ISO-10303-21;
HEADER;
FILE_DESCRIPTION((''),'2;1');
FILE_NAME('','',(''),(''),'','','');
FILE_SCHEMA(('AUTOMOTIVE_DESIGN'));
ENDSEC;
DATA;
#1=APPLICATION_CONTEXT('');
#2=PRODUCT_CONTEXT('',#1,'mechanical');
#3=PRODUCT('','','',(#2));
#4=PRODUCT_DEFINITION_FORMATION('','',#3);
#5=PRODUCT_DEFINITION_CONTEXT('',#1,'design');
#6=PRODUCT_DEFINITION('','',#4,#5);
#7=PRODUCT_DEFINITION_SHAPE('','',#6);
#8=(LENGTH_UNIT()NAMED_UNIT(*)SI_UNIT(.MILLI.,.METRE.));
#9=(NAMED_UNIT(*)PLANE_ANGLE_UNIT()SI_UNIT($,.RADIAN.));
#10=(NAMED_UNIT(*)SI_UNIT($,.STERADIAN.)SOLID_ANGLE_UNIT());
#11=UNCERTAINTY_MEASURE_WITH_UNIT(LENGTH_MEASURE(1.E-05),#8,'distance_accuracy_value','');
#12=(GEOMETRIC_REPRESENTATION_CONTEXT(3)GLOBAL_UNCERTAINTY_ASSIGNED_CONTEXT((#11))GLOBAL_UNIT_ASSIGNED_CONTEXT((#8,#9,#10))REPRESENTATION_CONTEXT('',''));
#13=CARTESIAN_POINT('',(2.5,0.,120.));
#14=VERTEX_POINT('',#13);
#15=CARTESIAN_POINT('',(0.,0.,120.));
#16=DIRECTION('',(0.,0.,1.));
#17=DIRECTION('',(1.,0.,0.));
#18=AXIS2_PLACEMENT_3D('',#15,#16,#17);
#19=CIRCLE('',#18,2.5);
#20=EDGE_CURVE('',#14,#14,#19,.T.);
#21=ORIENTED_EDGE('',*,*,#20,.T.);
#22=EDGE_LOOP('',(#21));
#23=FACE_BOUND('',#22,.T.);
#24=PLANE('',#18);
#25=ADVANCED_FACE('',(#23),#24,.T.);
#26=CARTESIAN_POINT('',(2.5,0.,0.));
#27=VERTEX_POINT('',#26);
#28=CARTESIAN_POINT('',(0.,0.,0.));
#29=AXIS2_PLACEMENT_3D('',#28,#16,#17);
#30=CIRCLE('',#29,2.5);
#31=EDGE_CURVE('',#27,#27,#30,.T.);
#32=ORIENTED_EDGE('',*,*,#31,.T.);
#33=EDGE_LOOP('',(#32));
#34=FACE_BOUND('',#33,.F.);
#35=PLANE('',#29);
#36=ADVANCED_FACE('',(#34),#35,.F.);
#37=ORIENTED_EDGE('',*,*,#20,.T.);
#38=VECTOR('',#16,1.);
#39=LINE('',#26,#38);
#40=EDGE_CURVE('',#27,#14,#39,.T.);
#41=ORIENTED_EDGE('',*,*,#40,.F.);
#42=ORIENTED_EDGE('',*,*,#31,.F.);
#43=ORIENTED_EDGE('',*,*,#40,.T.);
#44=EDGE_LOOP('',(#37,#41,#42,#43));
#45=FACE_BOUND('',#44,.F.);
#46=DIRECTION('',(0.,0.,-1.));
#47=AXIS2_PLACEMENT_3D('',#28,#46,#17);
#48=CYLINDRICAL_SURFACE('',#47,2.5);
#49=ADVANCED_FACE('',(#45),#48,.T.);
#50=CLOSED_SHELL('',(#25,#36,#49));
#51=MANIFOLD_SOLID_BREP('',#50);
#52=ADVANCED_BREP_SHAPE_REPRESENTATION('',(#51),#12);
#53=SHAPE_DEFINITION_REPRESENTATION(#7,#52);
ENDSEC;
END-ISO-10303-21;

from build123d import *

# Parameters (mm, degrees)
SKETCH1_R           = 2.5
BOSS_EXTRUDE1_DEPTH = 120


with BuildPart() as part:
    # Sketch1 → Boss-Extrude1 (new body)
    with BuildSketch(Plane.XY):
        Circle(SKETCH1_R)
    extrude(amount=BOSS_EXTRUDE1_DEPTH)


solid = part.part
